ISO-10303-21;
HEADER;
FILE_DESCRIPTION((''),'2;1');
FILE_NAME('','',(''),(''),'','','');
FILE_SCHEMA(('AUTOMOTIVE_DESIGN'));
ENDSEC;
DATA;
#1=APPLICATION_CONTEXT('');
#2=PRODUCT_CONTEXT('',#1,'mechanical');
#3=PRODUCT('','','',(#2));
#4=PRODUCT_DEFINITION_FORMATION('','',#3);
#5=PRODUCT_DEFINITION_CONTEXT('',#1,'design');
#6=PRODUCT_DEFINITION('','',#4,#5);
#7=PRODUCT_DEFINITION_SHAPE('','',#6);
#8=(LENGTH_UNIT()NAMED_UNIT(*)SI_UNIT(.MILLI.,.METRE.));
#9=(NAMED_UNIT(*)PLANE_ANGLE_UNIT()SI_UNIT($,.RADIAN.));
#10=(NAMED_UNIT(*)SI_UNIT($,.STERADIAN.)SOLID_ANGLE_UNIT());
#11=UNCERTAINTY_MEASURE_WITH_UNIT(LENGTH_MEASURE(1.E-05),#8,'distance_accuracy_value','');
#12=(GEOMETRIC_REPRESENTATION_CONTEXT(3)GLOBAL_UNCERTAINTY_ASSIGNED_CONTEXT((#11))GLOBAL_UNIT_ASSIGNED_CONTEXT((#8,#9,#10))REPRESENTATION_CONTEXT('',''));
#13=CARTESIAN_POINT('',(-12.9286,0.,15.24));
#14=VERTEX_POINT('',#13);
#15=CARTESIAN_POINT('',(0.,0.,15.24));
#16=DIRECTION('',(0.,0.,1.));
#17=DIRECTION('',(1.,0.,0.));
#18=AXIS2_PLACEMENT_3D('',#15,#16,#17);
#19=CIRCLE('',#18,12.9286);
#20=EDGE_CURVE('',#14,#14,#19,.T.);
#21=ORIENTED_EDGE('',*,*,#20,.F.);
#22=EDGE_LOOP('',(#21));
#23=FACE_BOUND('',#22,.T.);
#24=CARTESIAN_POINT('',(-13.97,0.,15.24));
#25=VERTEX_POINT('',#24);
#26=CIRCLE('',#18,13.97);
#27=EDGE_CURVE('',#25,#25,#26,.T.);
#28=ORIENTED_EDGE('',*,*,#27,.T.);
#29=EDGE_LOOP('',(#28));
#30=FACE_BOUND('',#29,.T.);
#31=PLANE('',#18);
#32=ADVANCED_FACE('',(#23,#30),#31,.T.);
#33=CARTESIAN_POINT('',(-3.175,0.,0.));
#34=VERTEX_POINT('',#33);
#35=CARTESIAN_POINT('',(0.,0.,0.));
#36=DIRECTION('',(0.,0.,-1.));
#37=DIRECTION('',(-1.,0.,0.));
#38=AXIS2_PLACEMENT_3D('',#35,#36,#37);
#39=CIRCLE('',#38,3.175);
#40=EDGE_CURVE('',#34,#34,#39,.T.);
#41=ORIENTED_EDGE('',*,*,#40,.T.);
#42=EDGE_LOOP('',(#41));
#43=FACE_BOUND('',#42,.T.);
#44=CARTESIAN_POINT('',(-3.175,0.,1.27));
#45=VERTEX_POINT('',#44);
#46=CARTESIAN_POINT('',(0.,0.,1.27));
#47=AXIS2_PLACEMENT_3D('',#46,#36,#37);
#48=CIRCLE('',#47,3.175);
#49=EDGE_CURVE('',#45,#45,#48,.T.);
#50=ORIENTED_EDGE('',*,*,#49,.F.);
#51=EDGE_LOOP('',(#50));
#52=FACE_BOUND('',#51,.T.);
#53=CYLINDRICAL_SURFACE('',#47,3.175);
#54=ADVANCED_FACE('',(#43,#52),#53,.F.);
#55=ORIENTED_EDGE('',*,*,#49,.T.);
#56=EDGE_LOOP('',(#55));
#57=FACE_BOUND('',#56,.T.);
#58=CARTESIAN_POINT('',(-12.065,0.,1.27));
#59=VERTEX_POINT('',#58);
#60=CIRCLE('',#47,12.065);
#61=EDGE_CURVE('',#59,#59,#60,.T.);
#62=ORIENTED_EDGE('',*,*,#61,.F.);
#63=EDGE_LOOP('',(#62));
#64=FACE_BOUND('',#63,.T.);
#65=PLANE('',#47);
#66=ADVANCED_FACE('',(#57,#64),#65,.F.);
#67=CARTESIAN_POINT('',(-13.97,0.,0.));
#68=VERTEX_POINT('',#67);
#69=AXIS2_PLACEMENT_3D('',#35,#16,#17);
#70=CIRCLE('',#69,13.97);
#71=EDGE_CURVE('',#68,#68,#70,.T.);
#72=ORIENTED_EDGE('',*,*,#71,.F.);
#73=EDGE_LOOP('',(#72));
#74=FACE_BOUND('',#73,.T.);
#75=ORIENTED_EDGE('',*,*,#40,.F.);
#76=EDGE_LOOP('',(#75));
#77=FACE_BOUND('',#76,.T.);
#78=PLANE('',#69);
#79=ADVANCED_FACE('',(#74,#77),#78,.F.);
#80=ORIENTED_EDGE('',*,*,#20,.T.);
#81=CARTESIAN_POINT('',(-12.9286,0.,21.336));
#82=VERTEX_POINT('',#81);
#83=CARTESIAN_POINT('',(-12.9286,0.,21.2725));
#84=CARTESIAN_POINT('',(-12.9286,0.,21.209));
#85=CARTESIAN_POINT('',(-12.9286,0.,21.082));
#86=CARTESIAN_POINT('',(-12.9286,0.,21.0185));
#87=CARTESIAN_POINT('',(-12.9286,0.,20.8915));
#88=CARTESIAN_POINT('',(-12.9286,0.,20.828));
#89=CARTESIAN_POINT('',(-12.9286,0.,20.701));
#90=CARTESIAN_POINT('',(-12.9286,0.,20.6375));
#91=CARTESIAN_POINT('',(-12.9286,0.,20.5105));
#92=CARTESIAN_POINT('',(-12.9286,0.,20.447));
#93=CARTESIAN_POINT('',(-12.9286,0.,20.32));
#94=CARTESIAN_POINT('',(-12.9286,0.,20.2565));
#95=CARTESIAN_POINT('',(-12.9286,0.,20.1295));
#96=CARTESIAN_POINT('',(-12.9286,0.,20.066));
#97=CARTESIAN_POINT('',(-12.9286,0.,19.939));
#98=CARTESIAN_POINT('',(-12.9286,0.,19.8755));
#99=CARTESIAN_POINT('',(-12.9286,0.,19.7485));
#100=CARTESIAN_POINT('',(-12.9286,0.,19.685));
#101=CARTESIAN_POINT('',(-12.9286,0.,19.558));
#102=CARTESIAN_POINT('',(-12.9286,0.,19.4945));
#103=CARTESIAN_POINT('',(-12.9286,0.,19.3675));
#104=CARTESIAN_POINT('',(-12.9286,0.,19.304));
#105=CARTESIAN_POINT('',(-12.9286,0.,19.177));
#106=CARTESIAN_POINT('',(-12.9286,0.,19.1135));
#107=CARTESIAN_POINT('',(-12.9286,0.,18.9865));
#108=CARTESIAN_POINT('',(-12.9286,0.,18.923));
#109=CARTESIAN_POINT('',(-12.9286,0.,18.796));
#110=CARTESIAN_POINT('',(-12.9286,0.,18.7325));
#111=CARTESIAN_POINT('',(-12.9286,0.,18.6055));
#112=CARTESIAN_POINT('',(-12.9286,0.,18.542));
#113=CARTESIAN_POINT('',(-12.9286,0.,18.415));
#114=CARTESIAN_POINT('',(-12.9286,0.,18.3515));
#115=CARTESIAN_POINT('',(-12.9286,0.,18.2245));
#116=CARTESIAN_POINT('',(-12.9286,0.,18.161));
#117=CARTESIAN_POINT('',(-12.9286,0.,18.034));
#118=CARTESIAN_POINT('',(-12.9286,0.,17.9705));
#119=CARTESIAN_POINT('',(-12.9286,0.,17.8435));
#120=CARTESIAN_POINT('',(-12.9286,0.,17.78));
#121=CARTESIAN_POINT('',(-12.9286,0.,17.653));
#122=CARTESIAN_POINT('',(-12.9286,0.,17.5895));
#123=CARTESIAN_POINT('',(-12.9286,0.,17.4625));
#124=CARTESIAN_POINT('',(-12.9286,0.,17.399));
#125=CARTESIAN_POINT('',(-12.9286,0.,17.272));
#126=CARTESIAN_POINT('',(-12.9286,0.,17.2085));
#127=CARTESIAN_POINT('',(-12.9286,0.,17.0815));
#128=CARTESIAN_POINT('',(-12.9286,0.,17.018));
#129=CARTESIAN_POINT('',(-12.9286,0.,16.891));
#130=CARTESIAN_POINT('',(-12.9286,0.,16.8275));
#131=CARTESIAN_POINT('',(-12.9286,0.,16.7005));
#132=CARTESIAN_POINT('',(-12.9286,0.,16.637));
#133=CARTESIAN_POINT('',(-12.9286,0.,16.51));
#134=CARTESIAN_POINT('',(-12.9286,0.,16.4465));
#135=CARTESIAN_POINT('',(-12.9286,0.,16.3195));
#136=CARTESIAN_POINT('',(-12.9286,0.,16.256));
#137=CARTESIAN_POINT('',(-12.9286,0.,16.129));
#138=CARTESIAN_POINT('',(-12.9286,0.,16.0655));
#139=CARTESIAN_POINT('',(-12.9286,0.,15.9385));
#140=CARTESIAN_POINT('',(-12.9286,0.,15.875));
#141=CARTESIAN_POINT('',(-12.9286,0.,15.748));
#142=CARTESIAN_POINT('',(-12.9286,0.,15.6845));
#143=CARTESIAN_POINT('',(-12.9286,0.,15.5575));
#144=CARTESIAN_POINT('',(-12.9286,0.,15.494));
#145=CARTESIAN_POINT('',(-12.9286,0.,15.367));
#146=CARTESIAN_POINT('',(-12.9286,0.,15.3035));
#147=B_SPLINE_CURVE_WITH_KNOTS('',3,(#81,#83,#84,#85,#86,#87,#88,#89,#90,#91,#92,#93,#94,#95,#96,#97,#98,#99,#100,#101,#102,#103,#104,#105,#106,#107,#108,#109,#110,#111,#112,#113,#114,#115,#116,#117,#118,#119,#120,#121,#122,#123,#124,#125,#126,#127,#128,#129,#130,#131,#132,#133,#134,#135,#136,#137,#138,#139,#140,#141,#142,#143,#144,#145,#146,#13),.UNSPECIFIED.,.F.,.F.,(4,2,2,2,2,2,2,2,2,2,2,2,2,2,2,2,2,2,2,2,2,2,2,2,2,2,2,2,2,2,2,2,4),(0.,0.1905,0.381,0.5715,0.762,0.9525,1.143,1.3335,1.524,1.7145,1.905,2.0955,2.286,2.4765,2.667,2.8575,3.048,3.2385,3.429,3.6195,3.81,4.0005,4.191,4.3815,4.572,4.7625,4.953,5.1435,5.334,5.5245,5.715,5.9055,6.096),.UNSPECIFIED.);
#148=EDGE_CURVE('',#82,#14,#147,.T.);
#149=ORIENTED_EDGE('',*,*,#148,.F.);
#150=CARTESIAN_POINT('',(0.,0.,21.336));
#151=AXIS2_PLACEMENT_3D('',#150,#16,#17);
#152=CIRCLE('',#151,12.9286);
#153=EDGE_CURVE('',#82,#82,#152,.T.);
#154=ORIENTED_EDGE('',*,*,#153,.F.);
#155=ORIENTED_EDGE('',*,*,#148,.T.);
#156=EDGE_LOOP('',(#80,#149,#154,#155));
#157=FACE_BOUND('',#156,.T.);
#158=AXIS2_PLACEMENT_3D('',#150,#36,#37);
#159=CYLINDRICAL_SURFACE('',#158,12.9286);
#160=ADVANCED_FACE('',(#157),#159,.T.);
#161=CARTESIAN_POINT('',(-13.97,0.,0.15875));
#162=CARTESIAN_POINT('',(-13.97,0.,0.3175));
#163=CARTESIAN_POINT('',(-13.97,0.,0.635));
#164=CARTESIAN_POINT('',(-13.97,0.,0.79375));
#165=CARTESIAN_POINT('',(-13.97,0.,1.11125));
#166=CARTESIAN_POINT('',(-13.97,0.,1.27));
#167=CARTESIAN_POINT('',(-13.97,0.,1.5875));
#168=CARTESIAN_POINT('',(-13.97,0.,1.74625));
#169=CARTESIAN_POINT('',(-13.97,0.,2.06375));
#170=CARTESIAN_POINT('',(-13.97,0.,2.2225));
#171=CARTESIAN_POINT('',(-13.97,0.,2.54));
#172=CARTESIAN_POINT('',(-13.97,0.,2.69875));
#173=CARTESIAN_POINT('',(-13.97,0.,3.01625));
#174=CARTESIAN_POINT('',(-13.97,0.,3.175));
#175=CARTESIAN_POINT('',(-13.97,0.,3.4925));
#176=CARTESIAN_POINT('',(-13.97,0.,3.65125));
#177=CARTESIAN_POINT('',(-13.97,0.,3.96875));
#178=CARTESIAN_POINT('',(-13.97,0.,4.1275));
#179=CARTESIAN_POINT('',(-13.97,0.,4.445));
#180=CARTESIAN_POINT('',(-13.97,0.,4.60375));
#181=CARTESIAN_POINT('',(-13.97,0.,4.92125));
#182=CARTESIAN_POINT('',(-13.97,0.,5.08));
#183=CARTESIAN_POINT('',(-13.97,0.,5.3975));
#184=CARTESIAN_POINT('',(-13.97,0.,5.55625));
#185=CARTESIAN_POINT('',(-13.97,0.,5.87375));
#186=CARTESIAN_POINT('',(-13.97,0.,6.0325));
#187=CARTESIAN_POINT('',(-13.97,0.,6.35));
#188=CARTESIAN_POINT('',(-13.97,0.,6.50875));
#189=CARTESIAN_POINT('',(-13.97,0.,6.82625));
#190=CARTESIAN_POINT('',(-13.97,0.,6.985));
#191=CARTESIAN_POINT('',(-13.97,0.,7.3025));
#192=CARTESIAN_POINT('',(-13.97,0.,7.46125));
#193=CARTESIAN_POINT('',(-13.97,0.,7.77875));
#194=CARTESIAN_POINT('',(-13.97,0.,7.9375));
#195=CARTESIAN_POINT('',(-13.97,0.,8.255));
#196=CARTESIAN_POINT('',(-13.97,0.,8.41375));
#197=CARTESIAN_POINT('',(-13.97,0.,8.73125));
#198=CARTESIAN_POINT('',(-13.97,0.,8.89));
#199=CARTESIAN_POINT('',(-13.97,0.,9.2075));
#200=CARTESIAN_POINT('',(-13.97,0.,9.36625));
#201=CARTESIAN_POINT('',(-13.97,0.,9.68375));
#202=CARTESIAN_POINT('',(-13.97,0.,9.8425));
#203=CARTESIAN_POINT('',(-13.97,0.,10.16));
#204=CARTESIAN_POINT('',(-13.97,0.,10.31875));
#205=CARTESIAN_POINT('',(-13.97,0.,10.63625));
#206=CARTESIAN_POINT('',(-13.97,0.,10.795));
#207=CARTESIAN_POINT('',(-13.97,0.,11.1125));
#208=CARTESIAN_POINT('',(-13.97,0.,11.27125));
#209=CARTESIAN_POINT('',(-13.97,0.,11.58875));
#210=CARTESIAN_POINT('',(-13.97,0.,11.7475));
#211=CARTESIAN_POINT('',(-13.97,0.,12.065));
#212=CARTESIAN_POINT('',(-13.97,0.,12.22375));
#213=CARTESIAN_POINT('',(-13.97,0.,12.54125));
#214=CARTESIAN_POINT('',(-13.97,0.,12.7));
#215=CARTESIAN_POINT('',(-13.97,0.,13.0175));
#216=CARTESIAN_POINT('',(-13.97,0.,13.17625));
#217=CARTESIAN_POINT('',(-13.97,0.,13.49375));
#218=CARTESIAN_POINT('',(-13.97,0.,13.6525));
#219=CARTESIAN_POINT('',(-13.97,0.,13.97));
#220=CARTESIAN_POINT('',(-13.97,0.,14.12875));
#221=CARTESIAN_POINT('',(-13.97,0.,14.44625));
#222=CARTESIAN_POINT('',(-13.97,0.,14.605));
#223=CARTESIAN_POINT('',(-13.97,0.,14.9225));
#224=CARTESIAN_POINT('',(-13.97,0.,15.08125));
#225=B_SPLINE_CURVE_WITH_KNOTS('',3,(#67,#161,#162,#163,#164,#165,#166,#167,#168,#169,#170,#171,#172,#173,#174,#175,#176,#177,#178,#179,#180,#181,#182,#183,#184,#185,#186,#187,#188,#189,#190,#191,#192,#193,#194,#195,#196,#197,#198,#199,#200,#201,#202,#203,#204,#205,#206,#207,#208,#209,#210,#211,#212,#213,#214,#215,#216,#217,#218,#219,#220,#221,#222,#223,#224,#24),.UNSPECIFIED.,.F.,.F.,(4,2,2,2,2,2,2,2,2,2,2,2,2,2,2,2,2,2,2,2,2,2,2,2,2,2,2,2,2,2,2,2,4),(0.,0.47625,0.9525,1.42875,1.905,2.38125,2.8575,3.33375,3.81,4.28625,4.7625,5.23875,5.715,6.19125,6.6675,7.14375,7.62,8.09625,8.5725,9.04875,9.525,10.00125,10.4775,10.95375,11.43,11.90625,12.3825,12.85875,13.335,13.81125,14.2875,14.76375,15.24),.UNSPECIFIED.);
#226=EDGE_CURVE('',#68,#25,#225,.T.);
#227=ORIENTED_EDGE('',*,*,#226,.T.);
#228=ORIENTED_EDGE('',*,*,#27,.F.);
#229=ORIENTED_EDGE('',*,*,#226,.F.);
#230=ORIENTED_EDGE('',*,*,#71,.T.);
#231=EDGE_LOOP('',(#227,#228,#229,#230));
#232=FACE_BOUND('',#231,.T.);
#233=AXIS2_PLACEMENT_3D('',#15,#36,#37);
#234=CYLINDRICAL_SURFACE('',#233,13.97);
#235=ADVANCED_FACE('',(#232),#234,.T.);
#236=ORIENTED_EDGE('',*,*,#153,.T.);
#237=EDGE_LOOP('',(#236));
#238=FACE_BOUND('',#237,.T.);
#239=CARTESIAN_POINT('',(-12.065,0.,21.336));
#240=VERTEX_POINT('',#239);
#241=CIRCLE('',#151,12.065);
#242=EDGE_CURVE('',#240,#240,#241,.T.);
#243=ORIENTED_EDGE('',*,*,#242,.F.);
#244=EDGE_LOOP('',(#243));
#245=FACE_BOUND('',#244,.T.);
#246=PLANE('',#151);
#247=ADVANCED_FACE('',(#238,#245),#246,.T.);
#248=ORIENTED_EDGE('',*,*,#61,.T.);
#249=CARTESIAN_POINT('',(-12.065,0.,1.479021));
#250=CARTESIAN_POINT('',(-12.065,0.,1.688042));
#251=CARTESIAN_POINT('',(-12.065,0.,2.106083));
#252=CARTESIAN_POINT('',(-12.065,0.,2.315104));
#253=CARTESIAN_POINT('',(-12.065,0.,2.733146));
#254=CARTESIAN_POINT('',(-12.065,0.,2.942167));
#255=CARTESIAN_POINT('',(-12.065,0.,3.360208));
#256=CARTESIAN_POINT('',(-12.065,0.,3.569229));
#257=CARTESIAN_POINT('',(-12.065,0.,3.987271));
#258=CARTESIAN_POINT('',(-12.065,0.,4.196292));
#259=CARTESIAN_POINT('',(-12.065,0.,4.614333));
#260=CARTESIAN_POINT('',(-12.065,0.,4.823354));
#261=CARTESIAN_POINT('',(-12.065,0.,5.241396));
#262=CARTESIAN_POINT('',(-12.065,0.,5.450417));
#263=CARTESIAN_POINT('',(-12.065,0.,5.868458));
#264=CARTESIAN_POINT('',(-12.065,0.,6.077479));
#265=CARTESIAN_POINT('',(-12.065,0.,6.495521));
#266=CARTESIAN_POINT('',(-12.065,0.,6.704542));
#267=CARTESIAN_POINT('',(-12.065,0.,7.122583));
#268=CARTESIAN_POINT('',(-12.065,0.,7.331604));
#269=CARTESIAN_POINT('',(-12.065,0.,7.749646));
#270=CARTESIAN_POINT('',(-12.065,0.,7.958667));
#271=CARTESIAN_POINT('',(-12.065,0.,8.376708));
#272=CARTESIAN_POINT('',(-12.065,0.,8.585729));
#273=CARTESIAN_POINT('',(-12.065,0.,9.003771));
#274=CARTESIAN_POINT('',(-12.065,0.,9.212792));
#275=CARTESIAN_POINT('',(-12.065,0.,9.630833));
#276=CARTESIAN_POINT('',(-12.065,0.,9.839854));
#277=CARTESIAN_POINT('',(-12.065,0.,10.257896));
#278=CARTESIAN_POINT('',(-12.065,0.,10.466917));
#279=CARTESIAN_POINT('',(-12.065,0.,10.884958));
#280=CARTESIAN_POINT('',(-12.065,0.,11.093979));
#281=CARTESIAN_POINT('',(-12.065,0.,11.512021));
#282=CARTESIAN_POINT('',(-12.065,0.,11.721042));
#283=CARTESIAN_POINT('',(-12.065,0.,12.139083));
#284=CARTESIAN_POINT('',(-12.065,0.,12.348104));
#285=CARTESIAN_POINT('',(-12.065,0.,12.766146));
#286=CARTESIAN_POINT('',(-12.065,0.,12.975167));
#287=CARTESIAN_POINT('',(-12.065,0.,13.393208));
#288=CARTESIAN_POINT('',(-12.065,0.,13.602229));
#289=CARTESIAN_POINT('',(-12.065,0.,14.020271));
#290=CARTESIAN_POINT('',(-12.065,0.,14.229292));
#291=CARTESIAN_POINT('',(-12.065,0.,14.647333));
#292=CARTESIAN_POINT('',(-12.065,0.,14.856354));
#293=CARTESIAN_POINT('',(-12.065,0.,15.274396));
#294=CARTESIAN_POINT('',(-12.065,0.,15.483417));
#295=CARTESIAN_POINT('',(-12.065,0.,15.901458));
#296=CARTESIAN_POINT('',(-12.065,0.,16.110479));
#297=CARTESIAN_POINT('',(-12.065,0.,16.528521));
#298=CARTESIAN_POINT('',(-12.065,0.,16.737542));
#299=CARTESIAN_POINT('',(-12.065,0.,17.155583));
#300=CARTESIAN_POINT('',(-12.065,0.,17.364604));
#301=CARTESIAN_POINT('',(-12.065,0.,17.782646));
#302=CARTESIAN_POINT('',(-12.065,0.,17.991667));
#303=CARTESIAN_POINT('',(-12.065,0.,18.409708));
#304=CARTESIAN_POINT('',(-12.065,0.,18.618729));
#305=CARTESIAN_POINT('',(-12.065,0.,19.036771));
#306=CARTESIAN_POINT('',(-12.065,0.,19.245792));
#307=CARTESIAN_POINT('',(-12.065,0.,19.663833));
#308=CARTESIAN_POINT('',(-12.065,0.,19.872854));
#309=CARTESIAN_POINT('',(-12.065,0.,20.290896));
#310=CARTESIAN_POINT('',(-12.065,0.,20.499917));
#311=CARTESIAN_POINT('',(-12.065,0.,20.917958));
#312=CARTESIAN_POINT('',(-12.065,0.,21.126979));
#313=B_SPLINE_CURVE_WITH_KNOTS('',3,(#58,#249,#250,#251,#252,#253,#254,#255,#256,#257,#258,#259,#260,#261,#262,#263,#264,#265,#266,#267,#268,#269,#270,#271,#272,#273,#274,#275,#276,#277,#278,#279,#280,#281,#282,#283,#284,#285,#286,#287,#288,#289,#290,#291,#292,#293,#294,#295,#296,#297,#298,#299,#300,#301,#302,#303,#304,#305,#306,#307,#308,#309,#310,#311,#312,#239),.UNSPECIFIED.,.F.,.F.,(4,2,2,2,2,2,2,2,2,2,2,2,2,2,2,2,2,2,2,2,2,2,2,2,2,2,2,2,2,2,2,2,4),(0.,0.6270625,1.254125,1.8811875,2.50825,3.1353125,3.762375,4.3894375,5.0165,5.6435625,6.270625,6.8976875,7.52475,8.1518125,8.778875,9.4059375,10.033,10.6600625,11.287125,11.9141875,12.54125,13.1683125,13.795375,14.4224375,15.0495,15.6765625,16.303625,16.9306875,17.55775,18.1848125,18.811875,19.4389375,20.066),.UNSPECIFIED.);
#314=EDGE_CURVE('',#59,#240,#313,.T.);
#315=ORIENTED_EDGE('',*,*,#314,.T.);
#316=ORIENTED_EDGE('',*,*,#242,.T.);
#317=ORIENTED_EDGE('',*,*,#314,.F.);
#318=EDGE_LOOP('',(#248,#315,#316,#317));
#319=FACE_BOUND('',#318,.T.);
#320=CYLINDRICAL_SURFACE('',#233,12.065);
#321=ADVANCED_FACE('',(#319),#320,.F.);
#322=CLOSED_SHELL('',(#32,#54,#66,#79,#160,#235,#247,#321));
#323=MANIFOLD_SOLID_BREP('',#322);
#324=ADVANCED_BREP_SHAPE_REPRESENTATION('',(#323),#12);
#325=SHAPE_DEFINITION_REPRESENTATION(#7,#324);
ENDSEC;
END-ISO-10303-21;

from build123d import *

# Parameters (mm, degrees)
SKETCH1_R           = 13.97
SKETCH1_R_2         = 12.065
BOSS_EXTRUDE1_DEPTH = 15.24
SKETCH2_R           = 13.97
SKETCH2_R_2         = 3.175
BOSS_EXTRUDE2_DEPTH = 1.27
SKETCH3_R           = 12.9286
SKETCH3_R_2         = 12.065
BOSS_EXTRUDE3_DEPTH = 6.096


with BuildPart() as part:
    # Sketch1 → Boss-Extrude1 (new body)
    with BuildSketch(Plane.XY):
        with Locations(Location((0, 0, 0), (0, 0, 180))):
            Circle(SKETCH1_R)
        with Locations(Location((0, 0, 0), (0, 0, 180))):
            Circle(SKETCH1_R_2, mode=Mode.SUBTRACT)
    extrude(amount=BOSS_EXTRUDE1_DEPTH)

    # Sketch2 → Boss-Extrude2 (add)
    with BuildSketch(Plane(origin=(0, 0, 0), x_dir=(-1, 0, 0), z_dir=(0, 0, -1))):
        Circle(SKETCH2_R)
        Circle(SKETCH2_R_2, mode=Mode.SUBTRACT)
    extrude(amount=-BOSS_EXTRUDE2_DEPTH)

    # Sketch3 → Boss-Extrude3 (add)
    with BuildSketch(Plane.XY.offset(15.24)):
        with Locations(Location((0, 0, 0), (0, 0, 180))):
            Circle(SKETCH3_R)
        with Locations(Location((0, 0, 0), (0, 0, 180))):
            Circle(SKETCH3_R_2, mode=Mode.SUBTRACT)
    extrude(amount=BOSS_EXTRUDE3_DEPTH)


solid = part.part
